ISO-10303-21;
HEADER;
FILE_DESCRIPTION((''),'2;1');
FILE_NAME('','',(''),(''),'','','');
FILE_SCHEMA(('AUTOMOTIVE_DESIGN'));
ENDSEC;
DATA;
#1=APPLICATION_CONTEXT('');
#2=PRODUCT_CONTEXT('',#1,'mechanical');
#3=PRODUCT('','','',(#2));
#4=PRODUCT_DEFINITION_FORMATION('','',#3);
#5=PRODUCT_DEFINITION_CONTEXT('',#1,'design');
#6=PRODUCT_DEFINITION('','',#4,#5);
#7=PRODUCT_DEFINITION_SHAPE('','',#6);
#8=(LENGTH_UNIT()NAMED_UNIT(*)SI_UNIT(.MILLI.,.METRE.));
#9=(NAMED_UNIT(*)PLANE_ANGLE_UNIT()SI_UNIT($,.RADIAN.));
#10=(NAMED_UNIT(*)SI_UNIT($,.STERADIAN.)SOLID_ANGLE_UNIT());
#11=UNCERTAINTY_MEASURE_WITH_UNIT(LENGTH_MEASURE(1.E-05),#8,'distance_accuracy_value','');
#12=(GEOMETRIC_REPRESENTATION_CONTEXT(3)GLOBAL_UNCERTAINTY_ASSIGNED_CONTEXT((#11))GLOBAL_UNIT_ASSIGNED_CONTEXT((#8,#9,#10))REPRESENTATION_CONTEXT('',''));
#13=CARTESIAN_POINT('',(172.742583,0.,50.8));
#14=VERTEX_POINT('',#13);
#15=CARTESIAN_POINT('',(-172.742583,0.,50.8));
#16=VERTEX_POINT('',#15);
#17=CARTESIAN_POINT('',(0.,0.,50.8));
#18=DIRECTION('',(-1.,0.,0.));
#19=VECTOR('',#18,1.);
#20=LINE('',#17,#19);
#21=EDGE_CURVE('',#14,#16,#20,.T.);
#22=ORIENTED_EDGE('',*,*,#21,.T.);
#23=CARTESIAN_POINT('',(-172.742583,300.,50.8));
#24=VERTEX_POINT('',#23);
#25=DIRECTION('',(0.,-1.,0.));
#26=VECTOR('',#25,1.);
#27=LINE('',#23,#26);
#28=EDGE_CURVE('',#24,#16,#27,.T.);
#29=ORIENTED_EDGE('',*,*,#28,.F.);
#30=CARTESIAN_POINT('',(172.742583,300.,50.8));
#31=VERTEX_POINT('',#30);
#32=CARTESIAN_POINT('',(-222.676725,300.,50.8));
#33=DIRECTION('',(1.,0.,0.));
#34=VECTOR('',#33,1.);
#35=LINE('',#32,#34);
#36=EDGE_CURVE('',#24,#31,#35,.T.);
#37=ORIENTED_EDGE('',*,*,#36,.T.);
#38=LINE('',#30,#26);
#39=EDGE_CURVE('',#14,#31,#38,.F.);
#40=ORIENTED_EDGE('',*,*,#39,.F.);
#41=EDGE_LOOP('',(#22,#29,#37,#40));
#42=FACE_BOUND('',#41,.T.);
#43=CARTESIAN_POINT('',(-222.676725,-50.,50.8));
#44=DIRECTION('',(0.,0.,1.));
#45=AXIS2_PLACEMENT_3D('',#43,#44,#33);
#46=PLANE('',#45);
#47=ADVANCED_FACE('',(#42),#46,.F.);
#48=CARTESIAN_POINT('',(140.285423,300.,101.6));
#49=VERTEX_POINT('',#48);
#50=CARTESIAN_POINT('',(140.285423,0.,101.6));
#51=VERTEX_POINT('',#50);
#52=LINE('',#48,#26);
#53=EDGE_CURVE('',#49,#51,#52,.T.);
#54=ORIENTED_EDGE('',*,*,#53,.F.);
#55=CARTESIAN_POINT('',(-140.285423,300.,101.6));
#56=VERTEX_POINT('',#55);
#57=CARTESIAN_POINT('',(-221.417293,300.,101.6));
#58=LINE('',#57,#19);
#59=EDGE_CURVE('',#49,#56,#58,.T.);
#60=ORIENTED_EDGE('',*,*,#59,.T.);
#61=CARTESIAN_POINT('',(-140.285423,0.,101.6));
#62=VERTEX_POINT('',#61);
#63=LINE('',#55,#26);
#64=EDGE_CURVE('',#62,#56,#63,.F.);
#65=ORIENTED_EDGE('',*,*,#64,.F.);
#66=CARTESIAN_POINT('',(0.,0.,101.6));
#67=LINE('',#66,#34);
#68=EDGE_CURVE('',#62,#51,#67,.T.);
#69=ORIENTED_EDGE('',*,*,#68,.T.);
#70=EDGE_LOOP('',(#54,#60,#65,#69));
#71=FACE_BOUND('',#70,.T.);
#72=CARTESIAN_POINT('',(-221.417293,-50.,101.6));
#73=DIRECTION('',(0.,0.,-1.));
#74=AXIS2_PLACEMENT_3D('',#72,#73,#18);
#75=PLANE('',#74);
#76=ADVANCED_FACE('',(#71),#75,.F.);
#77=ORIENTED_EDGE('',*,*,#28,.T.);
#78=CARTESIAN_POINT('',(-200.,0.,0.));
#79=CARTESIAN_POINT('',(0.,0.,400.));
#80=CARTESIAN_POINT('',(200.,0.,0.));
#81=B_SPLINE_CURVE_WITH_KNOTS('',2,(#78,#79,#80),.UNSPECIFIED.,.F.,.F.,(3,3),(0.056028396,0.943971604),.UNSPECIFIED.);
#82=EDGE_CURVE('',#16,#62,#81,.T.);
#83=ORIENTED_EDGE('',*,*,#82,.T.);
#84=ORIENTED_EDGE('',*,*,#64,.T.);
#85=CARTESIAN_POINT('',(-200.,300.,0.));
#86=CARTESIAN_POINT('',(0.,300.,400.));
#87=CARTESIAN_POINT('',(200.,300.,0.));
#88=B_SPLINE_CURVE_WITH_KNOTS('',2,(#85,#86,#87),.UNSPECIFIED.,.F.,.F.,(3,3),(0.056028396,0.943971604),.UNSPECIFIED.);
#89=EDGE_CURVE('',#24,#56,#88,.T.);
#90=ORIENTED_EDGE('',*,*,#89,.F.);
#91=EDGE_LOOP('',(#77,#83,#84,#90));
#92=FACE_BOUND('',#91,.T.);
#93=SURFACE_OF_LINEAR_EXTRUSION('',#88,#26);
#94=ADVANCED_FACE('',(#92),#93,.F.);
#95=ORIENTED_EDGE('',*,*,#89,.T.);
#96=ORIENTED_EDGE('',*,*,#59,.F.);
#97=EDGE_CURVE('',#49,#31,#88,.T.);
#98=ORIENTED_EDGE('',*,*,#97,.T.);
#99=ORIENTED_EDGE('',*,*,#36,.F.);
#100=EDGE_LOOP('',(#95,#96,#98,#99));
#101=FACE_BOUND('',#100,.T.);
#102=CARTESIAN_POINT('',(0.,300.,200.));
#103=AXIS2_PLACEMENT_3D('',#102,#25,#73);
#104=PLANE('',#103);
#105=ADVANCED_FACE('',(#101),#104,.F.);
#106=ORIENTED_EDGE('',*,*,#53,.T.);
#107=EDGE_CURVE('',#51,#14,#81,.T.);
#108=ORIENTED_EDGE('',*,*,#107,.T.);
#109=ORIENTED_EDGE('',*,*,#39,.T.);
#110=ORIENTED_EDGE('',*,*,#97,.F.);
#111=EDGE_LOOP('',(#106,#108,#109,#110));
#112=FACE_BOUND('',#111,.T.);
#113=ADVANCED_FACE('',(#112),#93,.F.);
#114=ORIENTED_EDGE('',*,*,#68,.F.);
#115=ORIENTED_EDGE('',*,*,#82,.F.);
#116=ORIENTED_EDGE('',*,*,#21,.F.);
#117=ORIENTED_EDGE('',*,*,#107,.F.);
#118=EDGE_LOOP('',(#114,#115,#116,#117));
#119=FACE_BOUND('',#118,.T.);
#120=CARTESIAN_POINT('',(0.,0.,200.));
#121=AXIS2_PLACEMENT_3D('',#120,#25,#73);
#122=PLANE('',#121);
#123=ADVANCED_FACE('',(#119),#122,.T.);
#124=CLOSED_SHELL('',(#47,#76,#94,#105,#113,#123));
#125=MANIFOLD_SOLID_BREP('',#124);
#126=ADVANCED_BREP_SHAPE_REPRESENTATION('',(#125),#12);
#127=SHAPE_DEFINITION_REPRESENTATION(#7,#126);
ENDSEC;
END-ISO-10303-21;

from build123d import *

# Parameters (mm, degrees)
BOSS_EXTRUDE1_DEPTH = 300
SKETCH2_W           = 448.898553089
SKETCH2_H           = 98.376583204
CUT_EXTRUDE1_DEPTH  = 350
SKETCH3_W           = 441.3036111
SKETCH3_H           = 137.787771029
CUT_EXTRUDE2_DEPTH  = 350


with BuildPart() as part:
    # Sketch1 → Boss-Extrude1 (new body)
    with BuildSketch(Plane(origin=(0, 0, 0), x_dir=(1, 0, 0), z_dir=(0, 1, 0))):
        with BuildLine():
            Line((-200, 1e-09), (200, 1e-09))
            add(Edge.make_bspline(
                [(-200, 1e-09), (0, -400.000000001), (200, 1e-09)],
                knots=[0.056028396, 0.056028396, 0.056028396, 0.943971604, 0.943971604, 0.943971604], degree=2))
        make_face()
    extrude(amount=BOSS_EXTRUDE1_DEPTH)

    # Sketch2 → Cut-Extrude1 (cut)
    with BuildSketch(Plane(origin=(0, 300, 0), x_dir=(1, 0, 0), z_dir=(0, 1, 0))):
        with Locations((1.772551048, -1.611708397)):
            Rectangle(SKETCH2_W, SKETCH2_H)
    extrude(amount=-CUT_EXTRUDE1_DEPTH, mode=Mode.SUBTRACT)

    # Sketch3 → Cut-Extrude2 (cut)
    with BuildSketch(Plane(origin=(0, 300, 0), x_dir=(1, 0, 0), z_dir=(0, 1, 0))):
        with Locations((-0.765487617, -170.493885514)):
            Rectangle(SKETCH3_W, SKETCH3_H)
    extrude(amount=-CUT_EXTRUDE2_DEPTH, mode=Mode.SUBTRACT)


solid = part.part
